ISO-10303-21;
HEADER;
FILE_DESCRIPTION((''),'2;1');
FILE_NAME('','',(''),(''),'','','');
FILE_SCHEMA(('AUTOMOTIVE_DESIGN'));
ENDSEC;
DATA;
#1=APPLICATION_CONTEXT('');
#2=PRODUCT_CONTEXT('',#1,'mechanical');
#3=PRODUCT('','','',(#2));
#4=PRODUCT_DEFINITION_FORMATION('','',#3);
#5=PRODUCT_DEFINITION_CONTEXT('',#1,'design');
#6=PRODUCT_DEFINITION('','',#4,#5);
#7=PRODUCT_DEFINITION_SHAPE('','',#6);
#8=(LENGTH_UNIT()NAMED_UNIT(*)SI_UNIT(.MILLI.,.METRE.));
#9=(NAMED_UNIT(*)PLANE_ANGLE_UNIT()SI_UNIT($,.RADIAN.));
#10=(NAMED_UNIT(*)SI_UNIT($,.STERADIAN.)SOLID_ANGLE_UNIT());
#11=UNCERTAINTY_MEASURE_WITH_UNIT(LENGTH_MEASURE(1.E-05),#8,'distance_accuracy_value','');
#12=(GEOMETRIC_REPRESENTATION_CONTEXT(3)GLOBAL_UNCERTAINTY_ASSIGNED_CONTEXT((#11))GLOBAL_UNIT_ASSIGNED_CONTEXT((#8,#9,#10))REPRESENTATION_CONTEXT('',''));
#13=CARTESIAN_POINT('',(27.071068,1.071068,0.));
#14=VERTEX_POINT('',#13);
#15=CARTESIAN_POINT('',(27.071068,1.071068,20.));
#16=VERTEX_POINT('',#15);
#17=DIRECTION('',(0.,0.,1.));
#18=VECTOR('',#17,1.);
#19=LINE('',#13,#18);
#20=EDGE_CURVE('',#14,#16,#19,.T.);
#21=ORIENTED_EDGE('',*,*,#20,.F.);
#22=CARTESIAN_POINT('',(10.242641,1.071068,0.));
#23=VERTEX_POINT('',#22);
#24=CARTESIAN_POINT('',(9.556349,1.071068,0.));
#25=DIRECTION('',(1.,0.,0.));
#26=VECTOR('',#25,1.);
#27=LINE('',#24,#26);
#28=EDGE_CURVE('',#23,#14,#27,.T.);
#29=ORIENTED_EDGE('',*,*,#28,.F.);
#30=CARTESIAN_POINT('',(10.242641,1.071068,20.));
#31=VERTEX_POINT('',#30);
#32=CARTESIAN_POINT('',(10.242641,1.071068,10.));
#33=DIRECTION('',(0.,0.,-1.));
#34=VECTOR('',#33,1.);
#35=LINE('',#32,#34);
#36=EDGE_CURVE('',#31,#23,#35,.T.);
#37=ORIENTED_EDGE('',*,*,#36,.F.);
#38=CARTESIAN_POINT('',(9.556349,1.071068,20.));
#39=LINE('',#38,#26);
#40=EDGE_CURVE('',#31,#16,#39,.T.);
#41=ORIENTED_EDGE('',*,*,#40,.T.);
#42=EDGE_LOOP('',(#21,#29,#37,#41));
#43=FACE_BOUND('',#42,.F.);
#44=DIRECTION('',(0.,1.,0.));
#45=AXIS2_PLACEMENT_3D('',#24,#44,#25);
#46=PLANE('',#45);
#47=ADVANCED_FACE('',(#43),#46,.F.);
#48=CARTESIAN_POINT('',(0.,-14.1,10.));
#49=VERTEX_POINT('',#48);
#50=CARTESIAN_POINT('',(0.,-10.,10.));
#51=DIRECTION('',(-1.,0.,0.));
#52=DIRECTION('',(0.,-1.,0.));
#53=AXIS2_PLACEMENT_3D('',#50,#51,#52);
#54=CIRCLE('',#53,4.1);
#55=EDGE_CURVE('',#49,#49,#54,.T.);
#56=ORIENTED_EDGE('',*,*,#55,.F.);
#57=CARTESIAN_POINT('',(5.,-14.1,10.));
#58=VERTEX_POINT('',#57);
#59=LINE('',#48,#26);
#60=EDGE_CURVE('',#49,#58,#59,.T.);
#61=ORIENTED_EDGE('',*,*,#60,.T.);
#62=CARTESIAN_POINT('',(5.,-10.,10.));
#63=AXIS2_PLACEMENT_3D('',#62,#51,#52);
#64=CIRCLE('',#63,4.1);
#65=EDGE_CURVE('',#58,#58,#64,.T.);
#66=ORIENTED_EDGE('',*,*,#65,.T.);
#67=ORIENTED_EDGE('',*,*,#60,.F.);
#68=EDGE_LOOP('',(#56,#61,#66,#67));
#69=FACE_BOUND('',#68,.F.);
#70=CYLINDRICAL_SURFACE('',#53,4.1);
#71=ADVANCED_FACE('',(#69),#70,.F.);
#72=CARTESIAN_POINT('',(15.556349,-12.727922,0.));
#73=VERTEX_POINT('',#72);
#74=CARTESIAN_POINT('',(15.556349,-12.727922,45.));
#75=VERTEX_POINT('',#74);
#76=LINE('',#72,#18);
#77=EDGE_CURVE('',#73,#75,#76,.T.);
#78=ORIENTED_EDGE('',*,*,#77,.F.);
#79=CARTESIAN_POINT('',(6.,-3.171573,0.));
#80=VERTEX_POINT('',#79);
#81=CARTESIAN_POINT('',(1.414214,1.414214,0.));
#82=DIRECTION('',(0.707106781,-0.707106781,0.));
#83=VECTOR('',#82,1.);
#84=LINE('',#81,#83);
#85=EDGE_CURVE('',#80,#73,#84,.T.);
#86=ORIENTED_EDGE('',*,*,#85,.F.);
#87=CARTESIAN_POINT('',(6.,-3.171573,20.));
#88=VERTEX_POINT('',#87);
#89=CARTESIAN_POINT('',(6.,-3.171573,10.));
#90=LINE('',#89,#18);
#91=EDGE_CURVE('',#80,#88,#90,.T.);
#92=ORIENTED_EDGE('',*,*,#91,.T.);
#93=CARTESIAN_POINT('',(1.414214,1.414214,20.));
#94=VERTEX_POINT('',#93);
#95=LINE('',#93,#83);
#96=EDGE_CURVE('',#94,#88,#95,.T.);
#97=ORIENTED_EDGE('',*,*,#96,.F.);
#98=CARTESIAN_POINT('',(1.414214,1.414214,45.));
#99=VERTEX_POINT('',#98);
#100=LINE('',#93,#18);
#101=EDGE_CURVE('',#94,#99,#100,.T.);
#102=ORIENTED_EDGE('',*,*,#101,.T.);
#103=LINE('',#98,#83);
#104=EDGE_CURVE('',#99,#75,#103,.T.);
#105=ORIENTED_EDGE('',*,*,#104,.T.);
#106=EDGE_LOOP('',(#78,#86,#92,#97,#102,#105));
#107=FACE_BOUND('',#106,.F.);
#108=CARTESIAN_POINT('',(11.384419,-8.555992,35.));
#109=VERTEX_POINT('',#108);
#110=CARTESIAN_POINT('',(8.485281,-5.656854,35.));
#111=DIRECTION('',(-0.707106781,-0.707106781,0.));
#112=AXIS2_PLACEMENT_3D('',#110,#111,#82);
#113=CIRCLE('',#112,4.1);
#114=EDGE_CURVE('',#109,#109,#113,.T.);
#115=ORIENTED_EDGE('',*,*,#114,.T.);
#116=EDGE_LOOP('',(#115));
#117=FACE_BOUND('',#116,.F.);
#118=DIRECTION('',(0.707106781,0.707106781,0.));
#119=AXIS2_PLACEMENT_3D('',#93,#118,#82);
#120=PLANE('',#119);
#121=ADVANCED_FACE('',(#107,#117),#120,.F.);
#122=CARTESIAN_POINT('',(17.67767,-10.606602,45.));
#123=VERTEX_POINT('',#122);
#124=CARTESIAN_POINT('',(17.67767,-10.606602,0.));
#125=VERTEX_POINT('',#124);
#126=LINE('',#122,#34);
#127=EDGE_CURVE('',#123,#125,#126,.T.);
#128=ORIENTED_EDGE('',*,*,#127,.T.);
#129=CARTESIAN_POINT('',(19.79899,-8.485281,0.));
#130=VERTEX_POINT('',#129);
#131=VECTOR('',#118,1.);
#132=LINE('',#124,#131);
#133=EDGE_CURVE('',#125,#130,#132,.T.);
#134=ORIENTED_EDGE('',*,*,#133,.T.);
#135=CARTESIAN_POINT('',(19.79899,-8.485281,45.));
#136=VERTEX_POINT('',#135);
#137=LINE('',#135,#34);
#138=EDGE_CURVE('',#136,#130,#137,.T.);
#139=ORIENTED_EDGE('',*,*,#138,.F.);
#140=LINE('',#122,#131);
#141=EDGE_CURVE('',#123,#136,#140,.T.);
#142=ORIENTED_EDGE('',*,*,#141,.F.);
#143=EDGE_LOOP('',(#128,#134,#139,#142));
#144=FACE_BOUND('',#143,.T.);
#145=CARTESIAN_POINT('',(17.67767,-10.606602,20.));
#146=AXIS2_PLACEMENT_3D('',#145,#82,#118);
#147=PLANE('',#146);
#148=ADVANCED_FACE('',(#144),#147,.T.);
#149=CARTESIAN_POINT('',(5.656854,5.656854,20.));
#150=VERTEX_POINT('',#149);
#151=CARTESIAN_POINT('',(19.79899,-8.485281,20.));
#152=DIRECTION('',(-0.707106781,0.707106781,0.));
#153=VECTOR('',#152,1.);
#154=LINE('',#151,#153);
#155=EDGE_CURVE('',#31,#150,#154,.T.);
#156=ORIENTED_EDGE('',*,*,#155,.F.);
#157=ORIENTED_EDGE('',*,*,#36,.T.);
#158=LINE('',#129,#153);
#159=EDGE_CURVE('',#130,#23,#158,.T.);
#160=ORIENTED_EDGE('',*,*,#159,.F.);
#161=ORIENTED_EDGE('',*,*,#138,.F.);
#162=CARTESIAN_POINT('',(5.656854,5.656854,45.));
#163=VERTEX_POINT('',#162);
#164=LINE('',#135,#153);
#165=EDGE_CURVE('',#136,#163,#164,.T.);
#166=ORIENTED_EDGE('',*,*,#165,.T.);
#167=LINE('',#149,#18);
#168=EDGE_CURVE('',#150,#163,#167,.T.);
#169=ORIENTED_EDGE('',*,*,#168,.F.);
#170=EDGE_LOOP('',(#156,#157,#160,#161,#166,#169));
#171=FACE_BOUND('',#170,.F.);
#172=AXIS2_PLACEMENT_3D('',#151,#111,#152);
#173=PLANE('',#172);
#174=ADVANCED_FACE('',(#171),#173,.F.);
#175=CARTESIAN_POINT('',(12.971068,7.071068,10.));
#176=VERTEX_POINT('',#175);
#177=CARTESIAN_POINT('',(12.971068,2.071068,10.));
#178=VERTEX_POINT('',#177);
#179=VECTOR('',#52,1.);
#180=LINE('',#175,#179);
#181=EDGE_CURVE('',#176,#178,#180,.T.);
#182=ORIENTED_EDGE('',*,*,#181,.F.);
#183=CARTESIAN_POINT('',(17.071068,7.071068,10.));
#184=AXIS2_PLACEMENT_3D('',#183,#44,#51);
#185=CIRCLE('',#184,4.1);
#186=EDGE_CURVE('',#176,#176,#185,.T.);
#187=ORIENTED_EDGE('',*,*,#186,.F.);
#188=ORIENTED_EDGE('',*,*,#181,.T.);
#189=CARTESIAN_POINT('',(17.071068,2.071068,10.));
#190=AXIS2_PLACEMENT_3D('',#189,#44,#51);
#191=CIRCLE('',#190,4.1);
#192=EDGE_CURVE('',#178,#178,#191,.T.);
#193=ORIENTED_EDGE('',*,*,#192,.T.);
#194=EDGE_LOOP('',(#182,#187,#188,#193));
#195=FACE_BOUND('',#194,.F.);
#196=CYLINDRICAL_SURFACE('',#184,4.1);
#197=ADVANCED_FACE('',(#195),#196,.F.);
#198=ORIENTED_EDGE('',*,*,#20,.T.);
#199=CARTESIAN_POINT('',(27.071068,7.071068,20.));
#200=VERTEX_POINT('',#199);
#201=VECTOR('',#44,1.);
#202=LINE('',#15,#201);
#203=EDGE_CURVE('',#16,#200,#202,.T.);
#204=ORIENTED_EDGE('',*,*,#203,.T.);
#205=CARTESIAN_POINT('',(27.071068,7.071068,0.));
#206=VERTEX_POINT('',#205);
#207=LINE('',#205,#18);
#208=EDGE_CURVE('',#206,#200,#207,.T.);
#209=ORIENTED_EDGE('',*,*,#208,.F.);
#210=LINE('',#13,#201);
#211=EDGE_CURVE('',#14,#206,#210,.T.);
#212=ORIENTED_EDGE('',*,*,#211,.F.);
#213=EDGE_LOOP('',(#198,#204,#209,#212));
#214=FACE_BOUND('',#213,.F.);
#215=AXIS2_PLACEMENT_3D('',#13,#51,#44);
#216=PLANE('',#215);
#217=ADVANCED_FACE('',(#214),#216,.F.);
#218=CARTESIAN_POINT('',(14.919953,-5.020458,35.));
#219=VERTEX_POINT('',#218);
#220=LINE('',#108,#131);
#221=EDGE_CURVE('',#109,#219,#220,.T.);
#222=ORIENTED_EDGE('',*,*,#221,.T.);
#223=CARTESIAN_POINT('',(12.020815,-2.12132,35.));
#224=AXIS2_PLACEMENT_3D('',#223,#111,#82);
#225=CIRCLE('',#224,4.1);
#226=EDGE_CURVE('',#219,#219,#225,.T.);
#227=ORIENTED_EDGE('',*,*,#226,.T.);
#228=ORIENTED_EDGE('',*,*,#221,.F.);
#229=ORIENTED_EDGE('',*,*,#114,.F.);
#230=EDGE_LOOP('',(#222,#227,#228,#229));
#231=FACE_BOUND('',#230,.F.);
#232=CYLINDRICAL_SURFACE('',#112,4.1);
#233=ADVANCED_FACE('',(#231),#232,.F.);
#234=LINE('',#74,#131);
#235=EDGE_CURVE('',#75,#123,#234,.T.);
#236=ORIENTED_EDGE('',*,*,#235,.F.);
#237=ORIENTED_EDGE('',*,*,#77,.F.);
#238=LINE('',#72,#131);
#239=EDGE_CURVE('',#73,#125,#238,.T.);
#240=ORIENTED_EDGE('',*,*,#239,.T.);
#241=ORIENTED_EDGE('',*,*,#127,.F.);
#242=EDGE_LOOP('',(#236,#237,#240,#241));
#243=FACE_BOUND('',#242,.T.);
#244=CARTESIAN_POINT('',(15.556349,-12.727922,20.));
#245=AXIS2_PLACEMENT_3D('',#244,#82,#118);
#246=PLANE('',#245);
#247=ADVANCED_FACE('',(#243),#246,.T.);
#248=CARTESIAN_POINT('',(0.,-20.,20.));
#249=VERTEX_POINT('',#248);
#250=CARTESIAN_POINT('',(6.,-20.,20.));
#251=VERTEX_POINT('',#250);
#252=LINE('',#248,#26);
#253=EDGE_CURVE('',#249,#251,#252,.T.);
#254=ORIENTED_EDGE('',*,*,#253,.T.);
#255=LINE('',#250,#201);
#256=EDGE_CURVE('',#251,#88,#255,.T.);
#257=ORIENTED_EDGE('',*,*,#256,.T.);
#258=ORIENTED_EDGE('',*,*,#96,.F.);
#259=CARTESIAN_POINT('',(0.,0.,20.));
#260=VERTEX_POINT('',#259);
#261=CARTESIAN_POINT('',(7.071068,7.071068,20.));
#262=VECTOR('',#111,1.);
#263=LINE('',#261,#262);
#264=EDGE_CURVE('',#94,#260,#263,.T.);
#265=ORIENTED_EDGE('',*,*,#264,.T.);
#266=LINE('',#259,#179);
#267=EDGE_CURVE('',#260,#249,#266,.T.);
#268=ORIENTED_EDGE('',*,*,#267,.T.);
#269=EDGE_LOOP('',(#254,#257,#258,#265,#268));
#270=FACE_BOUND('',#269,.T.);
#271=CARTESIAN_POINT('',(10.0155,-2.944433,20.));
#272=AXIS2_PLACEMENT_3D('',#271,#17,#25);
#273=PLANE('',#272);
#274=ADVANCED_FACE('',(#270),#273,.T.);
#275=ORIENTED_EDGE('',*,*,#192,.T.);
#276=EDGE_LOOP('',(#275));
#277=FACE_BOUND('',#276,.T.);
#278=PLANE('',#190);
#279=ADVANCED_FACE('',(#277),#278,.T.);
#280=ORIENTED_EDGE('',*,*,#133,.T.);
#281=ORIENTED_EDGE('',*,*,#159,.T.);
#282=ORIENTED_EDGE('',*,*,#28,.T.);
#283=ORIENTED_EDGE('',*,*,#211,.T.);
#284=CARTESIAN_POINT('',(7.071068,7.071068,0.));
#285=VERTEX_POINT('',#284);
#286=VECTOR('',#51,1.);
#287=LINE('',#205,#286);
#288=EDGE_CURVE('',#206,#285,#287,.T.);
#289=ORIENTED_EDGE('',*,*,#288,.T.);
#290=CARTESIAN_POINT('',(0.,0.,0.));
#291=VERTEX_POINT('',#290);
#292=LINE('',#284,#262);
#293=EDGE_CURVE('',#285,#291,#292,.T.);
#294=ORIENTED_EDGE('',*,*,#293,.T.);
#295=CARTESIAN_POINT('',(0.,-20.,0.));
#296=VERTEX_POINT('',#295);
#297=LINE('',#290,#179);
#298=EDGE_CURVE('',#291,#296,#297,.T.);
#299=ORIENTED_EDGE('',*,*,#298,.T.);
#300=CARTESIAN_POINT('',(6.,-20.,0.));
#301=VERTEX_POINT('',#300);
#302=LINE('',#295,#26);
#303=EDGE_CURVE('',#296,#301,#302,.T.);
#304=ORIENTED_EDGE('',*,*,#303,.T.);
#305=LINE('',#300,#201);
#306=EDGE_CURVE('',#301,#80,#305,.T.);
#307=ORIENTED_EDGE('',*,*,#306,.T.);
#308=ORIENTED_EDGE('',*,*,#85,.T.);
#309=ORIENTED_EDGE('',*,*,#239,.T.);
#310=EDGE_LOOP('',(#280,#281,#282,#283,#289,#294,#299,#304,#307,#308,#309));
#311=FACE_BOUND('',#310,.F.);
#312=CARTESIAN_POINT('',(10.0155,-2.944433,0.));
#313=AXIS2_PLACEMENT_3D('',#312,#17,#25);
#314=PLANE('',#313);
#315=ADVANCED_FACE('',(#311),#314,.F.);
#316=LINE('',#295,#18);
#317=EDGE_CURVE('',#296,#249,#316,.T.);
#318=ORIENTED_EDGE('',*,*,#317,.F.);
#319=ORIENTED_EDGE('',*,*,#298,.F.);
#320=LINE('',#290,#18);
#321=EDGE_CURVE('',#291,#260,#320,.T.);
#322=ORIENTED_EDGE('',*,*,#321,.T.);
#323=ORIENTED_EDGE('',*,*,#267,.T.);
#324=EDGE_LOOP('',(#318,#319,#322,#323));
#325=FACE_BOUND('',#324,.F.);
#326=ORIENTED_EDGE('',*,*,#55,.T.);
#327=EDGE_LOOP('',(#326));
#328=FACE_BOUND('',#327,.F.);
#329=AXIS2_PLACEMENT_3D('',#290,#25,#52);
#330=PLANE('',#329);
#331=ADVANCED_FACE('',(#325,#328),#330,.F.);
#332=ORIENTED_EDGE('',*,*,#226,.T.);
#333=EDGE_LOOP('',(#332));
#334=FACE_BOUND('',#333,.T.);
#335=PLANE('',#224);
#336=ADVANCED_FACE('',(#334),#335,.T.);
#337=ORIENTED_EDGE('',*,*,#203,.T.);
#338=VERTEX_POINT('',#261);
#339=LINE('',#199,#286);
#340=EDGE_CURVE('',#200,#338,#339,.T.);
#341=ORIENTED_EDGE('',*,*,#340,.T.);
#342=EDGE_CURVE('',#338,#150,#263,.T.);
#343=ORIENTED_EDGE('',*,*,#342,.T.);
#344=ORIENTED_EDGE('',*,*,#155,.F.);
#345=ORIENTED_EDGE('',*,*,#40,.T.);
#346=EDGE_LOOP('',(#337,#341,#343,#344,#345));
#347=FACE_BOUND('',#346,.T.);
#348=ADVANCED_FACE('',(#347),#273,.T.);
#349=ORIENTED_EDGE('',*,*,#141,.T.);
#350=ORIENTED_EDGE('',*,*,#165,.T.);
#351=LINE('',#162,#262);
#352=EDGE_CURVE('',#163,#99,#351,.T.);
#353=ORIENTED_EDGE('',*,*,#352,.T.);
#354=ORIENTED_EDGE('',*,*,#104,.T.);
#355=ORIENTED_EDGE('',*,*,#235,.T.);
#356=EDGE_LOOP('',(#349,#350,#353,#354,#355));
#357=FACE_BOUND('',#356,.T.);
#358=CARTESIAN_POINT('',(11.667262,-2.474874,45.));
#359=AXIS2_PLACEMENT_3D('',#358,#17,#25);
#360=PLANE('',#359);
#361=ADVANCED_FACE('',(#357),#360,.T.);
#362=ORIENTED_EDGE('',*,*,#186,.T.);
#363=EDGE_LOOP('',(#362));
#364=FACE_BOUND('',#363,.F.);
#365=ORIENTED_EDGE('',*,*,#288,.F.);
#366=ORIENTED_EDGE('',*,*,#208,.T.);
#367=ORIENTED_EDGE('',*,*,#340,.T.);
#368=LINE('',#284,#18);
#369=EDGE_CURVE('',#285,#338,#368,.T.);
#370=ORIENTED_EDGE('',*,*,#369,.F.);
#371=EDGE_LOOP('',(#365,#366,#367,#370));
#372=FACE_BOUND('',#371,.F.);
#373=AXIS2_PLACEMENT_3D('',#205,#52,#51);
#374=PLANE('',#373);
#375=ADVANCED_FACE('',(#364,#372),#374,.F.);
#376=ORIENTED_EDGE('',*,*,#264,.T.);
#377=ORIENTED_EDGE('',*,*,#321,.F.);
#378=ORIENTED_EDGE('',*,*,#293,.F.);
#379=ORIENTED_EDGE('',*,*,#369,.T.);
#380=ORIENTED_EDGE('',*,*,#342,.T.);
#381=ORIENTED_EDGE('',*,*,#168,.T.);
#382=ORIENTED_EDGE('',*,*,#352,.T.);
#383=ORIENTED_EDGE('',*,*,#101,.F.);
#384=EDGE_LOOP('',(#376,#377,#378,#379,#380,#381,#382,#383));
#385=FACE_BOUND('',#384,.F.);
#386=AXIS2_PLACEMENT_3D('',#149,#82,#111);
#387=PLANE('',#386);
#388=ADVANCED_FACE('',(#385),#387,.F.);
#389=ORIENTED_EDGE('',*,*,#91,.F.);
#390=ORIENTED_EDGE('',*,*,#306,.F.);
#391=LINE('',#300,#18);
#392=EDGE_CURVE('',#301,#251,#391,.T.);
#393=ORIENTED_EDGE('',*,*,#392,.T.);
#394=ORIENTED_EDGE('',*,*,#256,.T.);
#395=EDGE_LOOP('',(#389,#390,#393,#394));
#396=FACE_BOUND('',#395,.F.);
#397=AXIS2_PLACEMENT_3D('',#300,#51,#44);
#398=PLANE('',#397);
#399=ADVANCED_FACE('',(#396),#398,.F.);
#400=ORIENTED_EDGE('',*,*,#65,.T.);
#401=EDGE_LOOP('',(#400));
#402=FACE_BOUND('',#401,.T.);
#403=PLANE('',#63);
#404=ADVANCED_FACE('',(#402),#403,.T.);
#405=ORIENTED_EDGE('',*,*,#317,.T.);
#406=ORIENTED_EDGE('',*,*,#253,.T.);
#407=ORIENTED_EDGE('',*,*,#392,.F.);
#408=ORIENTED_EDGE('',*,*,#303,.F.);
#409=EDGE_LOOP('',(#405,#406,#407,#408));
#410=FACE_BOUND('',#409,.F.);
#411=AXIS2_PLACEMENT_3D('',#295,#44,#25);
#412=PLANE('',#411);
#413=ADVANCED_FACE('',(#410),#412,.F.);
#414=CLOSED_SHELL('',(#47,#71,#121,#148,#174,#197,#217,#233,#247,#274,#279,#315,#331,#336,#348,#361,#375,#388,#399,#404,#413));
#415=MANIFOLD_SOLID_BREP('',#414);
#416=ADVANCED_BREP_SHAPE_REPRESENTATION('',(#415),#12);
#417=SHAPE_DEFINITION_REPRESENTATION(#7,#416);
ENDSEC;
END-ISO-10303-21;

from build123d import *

# Parameters (mm, degrees)
F1_DEPTH      = 20
F3_DEPTH      = 25
F3_DEPTH_BACK = 20
F4_R          = 4.1
F5_DEPTH      = 5
F6_R          = 4.1
F7_DEPTH      = 5
F8_R          = 4.1
F9_DEPTH      = 5


with BuildPart() as f1:
    # F0 (on Top) → F1 (new body)
    with BuildSketch(Plane.XY):
        Polygon((7.0710678119, 7.0710678119), (0, 0), (0, -20), (6, -20), (6, -2.4852813742), (9.5563491861, 1.0710678119), (27.0710678119, 1.0710678119), (27.0710678119, 7.0710678119), align=None)
    extrude(amount=F1_DEPTH)

    # F2 (on face) → F3 (join, two sides)
    with BuildSketch(Plane.XY.offset(20)) as f3_sk:
        Polygon((5.6568542495, 5.6568542495), (3.5355339059, 3.5355339059), (17.6776695297, -10.6066017178), (19.7989898732, -8.4852813742), align=None)
        Polygon((17.6776695297, -10.6066017178), (3.5355339059, 3.5355339059), (1.4142135624, 1.4142135624), (15.5563491861, -12.7279220614), align=None)
    extrude(amount=F3_DEPTH)
    extrude(f3_sk.sketch, amount=-F3_DEPTH_BACK)

    # F4 (on face) → F5 (cut)
    with BuildSketch(Plane(origin=(0, 0, 0), x_dir=(0, -1, 0), z_dir=(-1, 0, 0))):
        with Locations((10, 10)):
            Circle(F4_R)
    extrude(amount=-F5_DEPTH, mode=Mode.SUBTRACT)

    # F6 (on face) → F7 (cut)
    with BuildSketch(Plane(origin=(0, 7.0710678119, 0), x_dir=(-1, 0, 0), z_dir=(0, 1, 0))):
        with Locations((-17.0710678119, 10)):
            Circle(F6_R)
    extrude(amount=-F7_DEPTH, mode=Mode.SUBTRACT)

    # F8 (on face) → F9 (cut)
    with BuildSketch(Plane(origin=(1.4142135624, 1.4142135624, 0), x_dir=(0.7071067812, -0.7071067812, 0), z_dir=(-0.7071067812, -0.7071067812, 0))):
        with Locations((10, 35)):
            Circle(F8_R)
    extrude(amount=-F9_DEPTH, mode=Mode.SUBTRACT)


solid = f1.part
